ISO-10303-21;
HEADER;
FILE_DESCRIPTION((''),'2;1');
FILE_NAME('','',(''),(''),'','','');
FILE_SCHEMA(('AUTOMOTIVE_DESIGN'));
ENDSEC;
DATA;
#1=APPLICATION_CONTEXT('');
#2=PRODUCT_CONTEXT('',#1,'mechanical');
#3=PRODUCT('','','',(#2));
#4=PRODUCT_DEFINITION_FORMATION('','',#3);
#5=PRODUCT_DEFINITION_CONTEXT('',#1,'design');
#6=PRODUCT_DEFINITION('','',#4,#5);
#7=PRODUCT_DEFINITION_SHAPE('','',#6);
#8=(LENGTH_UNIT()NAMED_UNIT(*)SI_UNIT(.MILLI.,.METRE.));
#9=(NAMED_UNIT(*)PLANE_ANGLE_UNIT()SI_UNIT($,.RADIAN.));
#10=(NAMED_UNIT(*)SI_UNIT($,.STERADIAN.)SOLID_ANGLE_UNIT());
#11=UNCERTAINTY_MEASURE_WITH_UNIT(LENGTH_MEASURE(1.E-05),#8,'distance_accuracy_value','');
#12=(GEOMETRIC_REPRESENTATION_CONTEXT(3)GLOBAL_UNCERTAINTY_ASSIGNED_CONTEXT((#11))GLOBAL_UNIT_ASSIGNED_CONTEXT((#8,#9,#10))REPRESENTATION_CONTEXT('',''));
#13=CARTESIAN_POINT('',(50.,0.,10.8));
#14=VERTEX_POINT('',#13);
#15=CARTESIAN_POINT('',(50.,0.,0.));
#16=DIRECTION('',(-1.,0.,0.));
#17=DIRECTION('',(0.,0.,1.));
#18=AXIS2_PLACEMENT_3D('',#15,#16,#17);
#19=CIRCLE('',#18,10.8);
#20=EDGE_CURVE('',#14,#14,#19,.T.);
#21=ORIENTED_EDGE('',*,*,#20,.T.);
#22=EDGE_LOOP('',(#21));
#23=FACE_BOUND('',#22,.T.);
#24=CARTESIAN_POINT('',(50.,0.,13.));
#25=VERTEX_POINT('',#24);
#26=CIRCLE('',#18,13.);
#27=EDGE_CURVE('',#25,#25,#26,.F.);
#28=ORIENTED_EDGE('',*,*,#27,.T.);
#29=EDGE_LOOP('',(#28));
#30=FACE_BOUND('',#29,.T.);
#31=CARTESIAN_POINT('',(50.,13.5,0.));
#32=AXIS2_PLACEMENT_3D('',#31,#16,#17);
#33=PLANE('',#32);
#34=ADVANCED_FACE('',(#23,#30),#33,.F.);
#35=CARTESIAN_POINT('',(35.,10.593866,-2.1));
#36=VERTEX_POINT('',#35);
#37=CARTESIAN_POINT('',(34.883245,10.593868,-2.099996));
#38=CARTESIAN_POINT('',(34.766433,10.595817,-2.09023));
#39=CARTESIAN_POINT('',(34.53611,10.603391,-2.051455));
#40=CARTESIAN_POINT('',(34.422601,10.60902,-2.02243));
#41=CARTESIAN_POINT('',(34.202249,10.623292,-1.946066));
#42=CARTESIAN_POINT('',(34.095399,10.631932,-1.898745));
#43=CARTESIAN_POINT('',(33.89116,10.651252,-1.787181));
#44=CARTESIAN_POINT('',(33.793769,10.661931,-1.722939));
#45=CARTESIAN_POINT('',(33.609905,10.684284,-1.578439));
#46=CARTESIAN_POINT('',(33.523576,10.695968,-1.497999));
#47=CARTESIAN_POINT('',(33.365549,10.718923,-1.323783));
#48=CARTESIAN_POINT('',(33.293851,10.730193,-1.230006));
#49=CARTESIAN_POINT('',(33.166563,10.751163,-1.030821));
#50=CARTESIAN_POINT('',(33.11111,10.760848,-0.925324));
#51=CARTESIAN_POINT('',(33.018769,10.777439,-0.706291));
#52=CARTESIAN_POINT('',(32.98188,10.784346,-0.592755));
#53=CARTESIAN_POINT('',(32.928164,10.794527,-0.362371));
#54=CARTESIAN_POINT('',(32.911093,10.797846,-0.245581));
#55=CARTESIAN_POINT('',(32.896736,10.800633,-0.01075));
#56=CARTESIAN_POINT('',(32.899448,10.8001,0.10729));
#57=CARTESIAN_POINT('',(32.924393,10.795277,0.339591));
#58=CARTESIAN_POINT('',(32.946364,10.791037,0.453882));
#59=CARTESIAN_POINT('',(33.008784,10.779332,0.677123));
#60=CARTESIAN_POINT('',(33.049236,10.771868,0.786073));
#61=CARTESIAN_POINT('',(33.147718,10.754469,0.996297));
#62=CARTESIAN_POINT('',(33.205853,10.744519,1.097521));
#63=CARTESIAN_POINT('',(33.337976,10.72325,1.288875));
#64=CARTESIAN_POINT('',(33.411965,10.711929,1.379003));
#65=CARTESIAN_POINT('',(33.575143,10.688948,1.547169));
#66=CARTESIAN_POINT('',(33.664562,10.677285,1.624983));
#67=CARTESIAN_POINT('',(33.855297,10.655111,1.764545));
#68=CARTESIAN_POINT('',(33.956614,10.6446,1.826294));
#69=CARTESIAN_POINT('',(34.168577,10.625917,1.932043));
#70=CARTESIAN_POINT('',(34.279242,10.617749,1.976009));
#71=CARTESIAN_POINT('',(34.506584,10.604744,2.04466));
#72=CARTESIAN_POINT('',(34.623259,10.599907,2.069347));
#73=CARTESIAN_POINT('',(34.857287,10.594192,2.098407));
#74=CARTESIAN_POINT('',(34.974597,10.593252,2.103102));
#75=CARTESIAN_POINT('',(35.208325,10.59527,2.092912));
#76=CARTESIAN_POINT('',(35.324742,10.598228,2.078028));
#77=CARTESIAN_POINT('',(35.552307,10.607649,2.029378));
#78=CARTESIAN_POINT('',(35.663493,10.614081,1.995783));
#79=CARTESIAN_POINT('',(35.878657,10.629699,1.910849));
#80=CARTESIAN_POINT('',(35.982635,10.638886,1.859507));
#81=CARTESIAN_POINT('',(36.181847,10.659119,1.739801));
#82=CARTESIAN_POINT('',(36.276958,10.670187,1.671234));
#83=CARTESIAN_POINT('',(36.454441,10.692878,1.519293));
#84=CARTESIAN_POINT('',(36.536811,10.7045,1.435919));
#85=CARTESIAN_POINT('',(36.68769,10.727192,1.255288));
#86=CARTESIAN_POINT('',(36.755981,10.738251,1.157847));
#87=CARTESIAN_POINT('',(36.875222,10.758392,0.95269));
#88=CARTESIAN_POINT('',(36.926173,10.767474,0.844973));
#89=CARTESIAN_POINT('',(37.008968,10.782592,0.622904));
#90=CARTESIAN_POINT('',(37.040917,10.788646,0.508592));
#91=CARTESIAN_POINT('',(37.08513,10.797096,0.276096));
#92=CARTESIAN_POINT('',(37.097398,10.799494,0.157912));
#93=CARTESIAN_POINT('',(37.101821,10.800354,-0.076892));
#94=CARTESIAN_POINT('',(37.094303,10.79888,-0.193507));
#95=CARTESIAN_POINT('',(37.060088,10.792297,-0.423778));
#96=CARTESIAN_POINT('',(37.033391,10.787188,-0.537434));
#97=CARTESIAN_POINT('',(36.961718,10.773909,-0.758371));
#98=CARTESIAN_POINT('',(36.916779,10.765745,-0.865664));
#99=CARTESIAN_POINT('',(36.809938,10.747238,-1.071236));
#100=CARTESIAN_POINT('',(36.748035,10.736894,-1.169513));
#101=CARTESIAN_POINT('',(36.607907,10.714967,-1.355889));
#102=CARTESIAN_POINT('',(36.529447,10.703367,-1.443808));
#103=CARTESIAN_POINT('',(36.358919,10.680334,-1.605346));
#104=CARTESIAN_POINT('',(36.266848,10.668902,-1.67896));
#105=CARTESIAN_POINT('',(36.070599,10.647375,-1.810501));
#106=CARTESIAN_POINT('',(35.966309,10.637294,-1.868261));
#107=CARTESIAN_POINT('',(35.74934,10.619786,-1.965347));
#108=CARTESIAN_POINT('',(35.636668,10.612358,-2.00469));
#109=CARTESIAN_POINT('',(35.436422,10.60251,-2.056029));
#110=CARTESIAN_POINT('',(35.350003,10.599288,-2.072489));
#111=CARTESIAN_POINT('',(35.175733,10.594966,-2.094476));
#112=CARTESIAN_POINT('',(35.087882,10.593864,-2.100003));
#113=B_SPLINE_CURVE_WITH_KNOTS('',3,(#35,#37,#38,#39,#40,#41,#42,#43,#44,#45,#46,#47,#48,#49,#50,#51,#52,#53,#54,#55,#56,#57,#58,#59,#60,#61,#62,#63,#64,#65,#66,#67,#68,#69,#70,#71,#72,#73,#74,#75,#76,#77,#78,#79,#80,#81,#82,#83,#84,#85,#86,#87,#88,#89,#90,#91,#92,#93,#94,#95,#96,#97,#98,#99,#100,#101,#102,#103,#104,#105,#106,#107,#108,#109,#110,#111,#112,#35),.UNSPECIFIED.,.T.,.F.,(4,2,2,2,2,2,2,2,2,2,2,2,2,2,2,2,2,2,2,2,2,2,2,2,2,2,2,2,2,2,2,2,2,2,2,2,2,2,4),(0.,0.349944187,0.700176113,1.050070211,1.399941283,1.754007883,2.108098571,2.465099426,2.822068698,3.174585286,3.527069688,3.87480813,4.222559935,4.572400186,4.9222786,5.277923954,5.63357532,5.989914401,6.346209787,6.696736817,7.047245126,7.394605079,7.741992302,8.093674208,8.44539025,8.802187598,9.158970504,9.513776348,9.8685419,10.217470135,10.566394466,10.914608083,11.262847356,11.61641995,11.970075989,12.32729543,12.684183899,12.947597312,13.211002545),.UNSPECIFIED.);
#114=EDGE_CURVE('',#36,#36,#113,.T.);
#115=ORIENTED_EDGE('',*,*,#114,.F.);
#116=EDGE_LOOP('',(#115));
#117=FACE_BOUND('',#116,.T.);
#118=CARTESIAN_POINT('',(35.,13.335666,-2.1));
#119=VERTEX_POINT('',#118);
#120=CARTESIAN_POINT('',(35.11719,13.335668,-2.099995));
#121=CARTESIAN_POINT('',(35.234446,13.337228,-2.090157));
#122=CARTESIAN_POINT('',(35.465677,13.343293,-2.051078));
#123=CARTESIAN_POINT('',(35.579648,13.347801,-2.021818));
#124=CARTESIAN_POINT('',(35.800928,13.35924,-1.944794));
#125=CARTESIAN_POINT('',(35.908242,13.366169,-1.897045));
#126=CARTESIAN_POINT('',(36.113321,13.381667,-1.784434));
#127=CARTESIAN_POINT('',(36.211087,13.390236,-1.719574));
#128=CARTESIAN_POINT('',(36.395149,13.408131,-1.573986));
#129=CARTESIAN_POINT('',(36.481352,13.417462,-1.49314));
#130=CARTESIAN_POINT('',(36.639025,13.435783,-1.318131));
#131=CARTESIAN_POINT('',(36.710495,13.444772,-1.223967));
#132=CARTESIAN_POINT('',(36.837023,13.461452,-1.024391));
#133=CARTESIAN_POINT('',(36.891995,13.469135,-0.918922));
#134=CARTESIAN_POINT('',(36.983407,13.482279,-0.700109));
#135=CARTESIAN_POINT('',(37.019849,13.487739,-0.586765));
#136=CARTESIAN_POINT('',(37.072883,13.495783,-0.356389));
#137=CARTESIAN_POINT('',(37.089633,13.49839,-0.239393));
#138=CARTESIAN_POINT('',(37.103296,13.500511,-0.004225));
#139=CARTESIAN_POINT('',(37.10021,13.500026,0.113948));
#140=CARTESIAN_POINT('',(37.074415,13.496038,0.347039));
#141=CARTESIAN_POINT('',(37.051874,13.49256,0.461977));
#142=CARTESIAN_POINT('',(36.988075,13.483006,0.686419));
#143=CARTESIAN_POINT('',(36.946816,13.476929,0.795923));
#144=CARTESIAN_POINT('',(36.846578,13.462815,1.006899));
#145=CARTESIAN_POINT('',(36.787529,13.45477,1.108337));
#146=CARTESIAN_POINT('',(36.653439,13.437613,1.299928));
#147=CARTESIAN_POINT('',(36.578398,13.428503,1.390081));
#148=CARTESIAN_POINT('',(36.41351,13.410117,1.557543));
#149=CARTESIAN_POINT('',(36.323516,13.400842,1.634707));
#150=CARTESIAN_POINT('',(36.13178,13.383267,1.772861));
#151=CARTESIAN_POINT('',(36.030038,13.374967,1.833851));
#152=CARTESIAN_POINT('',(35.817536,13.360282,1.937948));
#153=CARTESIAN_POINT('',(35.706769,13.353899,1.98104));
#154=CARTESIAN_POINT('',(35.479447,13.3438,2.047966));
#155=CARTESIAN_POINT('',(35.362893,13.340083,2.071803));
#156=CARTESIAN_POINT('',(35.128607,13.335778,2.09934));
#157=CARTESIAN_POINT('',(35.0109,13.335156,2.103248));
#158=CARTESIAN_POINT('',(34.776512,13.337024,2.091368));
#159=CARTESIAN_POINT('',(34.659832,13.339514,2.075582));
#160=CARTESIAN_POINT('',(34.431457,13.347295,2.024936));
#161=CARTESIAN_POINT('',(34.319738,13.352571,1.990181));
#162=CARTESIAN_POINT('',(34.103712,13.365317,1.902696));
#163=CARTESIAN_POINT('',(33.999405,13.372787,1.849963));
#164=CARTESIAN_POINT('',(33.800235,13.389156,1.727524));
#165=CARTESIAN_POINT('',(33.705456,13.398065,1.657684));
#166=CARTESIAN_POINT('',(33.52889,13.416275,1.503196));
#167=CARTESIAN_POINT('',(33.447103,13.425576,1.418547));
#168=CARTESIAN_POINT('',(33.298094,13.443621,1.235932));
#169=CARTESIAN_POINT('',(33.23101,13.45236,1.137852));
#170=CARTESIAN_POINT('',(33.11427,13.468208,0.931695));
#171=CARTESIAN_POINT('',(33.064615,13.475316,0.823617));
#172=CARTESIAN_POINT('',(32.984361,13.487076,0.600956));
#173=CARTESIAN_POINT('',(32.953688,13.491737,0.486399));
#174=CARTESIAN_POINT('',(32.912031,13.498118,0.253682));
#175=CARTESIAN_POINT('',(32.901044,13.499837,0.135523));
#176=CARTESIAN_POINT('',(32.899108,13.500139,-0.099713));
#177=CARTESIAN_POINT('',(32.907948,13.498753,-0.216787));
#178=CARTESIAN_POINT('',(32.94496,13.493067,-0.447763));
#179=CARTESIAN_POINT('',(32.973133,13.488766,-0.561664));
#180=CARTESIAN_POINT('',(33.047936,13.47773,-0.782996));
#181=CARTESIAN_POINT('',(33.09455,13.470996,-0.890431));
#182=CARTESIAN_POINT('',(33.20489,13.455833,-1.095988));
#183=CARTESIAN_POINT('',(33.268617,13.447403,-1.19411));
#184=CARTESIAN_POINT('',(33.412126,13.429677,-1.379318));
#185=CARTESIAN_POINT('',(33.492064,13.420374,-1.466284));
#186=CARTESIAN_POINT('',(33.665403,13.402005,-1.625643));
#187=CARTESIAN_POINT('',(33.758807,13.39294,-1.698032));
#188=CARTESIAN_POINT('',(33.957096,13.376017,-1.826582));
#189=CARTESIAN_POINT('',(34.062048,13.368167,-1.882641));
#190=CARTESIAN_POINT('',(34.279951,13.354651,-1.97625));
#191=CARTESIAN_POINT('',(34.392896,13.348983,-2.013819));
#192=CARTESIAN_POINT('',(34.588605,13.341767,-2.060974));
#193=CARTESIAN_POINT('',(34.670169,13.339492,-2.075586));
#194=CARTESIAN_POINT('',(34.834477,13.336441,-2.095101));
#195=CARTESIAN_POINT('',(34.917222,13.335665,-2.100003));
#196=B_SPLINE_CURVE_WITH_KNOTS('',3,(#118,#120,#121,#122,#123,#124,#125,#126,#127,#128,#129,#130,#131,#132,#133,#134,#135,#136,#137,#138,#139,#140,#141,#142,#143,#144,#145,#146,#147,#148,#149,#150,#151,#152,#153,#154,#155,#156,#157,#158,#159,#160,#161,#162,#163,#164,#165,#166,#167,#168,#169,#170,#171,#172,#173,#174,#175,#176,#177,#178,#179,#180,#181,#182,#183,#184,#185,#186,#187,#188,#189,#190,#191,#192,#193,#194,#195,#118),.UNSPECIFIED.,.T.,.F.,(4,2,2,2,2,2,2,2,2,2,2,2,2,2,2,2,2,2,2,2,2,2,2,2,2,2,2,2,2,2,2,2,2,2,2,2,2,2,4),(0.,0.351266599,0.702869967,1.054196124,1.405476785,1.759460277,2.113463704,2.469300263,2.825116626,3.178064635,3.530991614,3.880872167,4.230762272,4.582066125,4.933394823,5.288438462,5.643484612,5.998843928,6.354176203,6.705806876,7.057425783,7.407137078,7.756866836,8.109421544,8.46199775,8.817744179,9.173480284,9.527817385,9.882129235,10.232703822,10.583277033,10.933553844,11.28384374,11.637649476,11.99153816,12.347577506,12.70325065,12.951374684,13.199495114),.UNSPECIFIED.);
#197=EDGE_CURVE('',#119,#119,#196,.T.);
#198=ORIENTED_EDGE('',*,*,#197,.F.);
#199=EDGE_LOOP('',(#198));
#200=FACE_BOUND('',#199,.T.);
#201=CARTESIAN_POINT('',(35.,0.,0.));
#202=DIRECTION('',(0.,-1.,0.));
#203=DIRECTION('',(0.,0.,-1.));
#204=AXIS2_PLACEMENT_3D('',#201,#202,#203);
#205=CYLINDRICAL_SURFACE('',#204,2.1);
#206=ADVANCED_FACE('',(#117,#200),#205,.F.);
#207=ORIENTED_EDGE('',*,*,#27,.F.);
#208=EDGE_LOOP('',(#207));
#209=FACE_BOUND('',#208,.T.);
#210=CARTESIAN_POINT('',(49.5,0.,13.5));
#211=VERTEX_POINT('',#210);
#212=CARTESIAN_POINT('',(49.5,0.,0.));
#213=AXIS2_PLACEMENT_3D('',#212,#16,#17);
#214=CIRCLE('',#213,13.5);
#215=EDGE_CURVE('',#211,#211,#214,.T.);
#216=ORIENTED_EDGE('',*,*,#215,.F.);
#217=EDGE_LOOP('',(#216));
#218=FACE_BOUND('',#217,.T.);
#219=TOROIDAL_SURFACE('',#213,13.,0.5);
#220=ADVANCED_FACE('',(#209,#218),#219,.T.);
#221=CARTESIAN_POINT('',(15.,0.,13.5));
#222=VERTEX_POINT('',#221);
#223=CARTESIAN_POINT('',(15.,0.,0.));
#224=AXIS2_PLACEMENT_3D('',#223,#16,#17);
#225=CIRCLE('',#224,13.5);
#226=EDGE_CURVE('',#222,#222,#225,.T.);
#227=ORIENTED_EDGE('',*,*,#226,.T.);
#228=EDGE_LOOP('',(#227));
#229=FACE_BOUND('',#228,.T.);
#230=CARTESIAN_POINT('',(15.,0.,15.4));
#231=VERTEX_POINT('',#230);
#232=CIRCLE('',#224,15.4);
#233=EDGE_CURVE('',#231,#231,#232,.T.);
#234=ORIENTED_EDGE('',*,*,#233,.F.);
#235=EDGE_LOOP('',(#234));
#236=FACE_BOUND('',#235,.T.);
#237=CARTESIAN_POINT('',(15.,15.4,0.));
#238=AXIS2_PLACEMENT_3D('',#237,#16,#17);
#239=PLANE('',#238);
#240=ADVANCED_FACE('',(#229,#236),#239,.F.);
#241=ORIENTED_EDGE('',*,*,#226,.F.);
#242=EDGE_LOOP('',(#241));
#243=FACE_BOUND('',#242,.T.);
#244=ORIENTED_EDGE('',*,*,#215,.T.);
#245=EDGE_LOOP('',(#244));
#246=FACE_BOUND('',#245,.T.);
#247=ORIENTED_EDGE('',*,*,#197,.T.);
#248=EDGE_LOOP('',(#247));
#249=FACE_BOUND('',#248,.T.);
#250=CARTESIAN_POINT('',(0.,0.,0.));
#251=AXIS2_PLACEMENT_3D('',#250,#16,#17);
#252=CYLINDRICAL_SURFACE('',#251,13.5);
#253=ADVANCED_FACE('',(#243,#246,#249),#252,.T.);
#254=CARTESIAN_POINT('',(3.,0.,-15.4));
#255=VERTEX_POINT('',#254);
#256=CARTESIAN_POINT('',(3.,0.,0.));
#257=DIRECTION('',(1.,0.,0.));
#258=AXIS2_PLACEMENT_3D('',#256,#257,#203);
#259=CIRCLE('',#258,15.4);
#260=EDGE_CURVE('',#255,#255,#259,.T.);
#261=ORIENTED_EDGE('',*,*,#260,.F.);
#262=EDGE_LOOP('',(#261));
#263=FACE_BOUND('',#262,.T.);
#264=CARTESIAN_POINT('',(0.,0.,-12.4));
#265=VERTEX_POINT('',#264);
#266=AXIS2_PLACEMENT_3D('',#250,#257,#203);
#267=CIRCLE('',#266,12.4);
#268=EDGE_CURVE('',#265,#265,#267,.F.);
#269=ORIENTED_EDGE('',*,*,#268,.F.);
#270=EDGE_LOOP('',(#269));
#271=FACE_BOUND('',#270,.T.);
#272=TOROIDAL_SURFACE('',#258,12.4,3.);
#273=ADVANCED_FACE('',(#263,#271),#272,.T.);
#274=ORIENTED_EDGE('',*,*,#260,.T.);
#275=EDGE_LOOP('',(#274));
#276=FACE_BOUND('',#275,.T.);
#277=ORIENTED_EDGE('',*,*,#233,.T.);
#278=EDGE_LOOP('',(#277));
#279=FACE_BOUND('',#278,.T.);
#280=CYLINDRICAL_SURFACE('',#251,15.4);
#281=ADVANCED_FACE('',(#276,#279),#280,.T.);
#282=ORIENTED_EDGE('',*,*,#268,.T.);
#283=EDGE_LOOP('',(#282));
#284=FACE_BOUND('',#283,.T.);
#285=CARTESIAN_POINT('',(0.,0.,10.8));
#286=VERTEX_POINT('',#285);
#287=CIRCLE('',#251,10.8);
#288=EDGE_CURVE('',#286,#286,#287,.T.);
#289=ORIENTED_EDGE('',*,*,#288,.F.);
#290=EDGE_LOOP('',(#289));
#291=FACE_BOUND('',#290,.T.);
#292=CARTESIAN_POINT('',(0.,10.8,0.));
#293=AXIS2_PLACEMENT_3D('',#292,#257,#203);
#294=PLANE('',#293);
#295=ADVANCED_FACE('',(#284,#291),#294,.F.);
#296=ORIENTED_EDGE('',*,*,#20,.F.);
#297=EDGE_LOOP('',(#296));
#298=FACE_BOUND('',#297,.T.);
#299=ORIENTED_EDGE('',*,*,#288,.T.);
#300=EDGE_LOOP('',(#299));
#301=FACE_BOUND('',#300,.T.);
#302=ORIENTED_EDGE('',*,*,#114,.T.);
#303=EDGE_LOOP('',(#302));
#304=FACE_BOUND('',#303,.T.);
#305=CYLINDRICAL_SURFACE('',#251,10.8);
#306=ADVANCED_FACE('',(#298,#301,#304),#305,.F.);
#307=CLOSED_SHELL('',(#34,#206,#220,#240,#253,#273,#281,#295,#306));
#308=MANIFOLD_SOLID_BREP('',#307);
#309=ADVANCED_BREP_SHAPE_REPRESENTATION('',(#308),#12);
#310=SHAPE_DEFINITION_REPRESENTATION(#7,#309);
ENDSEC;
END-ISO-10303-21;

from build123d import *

# Parameters (mm, degrees)
ESBO_O3_W = 2.1
ESBO_O3_H = 15.4
FILETE1_R = 3
FILETE2_R = 0.5


with BuildPart() as part:
    # Esboço1 → Revolução1 (revolve)
    with BuildSketch(Plane.XY, mode=Mode.PRIVATE) as revolu_o1_sk:
        Polygon((0, 10.8), (0, 15.4), (15, 15.4), (15, 13.5), (50, 13.5), (50, 10.8), align=None)
    revolve(revolu_o1_sk.sketch.rotate(Axis((0, 0, 0), (1, 0, 0)), 90), axis=Axis((0, 0, 0), (1, 0, 0)))

    # Esboço3 → Furo roscado de M51 (revolve, cut)
    with BuildSketch(Plane(origin=(35, 0, 0), x_dir=(0, 0, -1), z_dir=(1, 0, 0))):
        with Locations((1.05, 7.7)):
            Rectangle(ESBO_O3_W, ESBO_O3_H)
    revolve(axis=Axis((35, -6.35, 0), (0, 1, 0)), mode=Mode.SUBTRACT)

    # Filete1
    filete1_edges = [part.edges().sort_by_distance(p)[0] for p in [
        (0, 0, -15.4),
    ]]
    fillet(filete1_edges, radius=FILETE1_R)

    # Filete2
    filete2_edges = [part.edges().sort_by_distance(p)[0] for p in [
        (50, 0, -13.5),
    ]]
    fillet(filete2_edges, radius=FILETE2_R)


solid = part.part
